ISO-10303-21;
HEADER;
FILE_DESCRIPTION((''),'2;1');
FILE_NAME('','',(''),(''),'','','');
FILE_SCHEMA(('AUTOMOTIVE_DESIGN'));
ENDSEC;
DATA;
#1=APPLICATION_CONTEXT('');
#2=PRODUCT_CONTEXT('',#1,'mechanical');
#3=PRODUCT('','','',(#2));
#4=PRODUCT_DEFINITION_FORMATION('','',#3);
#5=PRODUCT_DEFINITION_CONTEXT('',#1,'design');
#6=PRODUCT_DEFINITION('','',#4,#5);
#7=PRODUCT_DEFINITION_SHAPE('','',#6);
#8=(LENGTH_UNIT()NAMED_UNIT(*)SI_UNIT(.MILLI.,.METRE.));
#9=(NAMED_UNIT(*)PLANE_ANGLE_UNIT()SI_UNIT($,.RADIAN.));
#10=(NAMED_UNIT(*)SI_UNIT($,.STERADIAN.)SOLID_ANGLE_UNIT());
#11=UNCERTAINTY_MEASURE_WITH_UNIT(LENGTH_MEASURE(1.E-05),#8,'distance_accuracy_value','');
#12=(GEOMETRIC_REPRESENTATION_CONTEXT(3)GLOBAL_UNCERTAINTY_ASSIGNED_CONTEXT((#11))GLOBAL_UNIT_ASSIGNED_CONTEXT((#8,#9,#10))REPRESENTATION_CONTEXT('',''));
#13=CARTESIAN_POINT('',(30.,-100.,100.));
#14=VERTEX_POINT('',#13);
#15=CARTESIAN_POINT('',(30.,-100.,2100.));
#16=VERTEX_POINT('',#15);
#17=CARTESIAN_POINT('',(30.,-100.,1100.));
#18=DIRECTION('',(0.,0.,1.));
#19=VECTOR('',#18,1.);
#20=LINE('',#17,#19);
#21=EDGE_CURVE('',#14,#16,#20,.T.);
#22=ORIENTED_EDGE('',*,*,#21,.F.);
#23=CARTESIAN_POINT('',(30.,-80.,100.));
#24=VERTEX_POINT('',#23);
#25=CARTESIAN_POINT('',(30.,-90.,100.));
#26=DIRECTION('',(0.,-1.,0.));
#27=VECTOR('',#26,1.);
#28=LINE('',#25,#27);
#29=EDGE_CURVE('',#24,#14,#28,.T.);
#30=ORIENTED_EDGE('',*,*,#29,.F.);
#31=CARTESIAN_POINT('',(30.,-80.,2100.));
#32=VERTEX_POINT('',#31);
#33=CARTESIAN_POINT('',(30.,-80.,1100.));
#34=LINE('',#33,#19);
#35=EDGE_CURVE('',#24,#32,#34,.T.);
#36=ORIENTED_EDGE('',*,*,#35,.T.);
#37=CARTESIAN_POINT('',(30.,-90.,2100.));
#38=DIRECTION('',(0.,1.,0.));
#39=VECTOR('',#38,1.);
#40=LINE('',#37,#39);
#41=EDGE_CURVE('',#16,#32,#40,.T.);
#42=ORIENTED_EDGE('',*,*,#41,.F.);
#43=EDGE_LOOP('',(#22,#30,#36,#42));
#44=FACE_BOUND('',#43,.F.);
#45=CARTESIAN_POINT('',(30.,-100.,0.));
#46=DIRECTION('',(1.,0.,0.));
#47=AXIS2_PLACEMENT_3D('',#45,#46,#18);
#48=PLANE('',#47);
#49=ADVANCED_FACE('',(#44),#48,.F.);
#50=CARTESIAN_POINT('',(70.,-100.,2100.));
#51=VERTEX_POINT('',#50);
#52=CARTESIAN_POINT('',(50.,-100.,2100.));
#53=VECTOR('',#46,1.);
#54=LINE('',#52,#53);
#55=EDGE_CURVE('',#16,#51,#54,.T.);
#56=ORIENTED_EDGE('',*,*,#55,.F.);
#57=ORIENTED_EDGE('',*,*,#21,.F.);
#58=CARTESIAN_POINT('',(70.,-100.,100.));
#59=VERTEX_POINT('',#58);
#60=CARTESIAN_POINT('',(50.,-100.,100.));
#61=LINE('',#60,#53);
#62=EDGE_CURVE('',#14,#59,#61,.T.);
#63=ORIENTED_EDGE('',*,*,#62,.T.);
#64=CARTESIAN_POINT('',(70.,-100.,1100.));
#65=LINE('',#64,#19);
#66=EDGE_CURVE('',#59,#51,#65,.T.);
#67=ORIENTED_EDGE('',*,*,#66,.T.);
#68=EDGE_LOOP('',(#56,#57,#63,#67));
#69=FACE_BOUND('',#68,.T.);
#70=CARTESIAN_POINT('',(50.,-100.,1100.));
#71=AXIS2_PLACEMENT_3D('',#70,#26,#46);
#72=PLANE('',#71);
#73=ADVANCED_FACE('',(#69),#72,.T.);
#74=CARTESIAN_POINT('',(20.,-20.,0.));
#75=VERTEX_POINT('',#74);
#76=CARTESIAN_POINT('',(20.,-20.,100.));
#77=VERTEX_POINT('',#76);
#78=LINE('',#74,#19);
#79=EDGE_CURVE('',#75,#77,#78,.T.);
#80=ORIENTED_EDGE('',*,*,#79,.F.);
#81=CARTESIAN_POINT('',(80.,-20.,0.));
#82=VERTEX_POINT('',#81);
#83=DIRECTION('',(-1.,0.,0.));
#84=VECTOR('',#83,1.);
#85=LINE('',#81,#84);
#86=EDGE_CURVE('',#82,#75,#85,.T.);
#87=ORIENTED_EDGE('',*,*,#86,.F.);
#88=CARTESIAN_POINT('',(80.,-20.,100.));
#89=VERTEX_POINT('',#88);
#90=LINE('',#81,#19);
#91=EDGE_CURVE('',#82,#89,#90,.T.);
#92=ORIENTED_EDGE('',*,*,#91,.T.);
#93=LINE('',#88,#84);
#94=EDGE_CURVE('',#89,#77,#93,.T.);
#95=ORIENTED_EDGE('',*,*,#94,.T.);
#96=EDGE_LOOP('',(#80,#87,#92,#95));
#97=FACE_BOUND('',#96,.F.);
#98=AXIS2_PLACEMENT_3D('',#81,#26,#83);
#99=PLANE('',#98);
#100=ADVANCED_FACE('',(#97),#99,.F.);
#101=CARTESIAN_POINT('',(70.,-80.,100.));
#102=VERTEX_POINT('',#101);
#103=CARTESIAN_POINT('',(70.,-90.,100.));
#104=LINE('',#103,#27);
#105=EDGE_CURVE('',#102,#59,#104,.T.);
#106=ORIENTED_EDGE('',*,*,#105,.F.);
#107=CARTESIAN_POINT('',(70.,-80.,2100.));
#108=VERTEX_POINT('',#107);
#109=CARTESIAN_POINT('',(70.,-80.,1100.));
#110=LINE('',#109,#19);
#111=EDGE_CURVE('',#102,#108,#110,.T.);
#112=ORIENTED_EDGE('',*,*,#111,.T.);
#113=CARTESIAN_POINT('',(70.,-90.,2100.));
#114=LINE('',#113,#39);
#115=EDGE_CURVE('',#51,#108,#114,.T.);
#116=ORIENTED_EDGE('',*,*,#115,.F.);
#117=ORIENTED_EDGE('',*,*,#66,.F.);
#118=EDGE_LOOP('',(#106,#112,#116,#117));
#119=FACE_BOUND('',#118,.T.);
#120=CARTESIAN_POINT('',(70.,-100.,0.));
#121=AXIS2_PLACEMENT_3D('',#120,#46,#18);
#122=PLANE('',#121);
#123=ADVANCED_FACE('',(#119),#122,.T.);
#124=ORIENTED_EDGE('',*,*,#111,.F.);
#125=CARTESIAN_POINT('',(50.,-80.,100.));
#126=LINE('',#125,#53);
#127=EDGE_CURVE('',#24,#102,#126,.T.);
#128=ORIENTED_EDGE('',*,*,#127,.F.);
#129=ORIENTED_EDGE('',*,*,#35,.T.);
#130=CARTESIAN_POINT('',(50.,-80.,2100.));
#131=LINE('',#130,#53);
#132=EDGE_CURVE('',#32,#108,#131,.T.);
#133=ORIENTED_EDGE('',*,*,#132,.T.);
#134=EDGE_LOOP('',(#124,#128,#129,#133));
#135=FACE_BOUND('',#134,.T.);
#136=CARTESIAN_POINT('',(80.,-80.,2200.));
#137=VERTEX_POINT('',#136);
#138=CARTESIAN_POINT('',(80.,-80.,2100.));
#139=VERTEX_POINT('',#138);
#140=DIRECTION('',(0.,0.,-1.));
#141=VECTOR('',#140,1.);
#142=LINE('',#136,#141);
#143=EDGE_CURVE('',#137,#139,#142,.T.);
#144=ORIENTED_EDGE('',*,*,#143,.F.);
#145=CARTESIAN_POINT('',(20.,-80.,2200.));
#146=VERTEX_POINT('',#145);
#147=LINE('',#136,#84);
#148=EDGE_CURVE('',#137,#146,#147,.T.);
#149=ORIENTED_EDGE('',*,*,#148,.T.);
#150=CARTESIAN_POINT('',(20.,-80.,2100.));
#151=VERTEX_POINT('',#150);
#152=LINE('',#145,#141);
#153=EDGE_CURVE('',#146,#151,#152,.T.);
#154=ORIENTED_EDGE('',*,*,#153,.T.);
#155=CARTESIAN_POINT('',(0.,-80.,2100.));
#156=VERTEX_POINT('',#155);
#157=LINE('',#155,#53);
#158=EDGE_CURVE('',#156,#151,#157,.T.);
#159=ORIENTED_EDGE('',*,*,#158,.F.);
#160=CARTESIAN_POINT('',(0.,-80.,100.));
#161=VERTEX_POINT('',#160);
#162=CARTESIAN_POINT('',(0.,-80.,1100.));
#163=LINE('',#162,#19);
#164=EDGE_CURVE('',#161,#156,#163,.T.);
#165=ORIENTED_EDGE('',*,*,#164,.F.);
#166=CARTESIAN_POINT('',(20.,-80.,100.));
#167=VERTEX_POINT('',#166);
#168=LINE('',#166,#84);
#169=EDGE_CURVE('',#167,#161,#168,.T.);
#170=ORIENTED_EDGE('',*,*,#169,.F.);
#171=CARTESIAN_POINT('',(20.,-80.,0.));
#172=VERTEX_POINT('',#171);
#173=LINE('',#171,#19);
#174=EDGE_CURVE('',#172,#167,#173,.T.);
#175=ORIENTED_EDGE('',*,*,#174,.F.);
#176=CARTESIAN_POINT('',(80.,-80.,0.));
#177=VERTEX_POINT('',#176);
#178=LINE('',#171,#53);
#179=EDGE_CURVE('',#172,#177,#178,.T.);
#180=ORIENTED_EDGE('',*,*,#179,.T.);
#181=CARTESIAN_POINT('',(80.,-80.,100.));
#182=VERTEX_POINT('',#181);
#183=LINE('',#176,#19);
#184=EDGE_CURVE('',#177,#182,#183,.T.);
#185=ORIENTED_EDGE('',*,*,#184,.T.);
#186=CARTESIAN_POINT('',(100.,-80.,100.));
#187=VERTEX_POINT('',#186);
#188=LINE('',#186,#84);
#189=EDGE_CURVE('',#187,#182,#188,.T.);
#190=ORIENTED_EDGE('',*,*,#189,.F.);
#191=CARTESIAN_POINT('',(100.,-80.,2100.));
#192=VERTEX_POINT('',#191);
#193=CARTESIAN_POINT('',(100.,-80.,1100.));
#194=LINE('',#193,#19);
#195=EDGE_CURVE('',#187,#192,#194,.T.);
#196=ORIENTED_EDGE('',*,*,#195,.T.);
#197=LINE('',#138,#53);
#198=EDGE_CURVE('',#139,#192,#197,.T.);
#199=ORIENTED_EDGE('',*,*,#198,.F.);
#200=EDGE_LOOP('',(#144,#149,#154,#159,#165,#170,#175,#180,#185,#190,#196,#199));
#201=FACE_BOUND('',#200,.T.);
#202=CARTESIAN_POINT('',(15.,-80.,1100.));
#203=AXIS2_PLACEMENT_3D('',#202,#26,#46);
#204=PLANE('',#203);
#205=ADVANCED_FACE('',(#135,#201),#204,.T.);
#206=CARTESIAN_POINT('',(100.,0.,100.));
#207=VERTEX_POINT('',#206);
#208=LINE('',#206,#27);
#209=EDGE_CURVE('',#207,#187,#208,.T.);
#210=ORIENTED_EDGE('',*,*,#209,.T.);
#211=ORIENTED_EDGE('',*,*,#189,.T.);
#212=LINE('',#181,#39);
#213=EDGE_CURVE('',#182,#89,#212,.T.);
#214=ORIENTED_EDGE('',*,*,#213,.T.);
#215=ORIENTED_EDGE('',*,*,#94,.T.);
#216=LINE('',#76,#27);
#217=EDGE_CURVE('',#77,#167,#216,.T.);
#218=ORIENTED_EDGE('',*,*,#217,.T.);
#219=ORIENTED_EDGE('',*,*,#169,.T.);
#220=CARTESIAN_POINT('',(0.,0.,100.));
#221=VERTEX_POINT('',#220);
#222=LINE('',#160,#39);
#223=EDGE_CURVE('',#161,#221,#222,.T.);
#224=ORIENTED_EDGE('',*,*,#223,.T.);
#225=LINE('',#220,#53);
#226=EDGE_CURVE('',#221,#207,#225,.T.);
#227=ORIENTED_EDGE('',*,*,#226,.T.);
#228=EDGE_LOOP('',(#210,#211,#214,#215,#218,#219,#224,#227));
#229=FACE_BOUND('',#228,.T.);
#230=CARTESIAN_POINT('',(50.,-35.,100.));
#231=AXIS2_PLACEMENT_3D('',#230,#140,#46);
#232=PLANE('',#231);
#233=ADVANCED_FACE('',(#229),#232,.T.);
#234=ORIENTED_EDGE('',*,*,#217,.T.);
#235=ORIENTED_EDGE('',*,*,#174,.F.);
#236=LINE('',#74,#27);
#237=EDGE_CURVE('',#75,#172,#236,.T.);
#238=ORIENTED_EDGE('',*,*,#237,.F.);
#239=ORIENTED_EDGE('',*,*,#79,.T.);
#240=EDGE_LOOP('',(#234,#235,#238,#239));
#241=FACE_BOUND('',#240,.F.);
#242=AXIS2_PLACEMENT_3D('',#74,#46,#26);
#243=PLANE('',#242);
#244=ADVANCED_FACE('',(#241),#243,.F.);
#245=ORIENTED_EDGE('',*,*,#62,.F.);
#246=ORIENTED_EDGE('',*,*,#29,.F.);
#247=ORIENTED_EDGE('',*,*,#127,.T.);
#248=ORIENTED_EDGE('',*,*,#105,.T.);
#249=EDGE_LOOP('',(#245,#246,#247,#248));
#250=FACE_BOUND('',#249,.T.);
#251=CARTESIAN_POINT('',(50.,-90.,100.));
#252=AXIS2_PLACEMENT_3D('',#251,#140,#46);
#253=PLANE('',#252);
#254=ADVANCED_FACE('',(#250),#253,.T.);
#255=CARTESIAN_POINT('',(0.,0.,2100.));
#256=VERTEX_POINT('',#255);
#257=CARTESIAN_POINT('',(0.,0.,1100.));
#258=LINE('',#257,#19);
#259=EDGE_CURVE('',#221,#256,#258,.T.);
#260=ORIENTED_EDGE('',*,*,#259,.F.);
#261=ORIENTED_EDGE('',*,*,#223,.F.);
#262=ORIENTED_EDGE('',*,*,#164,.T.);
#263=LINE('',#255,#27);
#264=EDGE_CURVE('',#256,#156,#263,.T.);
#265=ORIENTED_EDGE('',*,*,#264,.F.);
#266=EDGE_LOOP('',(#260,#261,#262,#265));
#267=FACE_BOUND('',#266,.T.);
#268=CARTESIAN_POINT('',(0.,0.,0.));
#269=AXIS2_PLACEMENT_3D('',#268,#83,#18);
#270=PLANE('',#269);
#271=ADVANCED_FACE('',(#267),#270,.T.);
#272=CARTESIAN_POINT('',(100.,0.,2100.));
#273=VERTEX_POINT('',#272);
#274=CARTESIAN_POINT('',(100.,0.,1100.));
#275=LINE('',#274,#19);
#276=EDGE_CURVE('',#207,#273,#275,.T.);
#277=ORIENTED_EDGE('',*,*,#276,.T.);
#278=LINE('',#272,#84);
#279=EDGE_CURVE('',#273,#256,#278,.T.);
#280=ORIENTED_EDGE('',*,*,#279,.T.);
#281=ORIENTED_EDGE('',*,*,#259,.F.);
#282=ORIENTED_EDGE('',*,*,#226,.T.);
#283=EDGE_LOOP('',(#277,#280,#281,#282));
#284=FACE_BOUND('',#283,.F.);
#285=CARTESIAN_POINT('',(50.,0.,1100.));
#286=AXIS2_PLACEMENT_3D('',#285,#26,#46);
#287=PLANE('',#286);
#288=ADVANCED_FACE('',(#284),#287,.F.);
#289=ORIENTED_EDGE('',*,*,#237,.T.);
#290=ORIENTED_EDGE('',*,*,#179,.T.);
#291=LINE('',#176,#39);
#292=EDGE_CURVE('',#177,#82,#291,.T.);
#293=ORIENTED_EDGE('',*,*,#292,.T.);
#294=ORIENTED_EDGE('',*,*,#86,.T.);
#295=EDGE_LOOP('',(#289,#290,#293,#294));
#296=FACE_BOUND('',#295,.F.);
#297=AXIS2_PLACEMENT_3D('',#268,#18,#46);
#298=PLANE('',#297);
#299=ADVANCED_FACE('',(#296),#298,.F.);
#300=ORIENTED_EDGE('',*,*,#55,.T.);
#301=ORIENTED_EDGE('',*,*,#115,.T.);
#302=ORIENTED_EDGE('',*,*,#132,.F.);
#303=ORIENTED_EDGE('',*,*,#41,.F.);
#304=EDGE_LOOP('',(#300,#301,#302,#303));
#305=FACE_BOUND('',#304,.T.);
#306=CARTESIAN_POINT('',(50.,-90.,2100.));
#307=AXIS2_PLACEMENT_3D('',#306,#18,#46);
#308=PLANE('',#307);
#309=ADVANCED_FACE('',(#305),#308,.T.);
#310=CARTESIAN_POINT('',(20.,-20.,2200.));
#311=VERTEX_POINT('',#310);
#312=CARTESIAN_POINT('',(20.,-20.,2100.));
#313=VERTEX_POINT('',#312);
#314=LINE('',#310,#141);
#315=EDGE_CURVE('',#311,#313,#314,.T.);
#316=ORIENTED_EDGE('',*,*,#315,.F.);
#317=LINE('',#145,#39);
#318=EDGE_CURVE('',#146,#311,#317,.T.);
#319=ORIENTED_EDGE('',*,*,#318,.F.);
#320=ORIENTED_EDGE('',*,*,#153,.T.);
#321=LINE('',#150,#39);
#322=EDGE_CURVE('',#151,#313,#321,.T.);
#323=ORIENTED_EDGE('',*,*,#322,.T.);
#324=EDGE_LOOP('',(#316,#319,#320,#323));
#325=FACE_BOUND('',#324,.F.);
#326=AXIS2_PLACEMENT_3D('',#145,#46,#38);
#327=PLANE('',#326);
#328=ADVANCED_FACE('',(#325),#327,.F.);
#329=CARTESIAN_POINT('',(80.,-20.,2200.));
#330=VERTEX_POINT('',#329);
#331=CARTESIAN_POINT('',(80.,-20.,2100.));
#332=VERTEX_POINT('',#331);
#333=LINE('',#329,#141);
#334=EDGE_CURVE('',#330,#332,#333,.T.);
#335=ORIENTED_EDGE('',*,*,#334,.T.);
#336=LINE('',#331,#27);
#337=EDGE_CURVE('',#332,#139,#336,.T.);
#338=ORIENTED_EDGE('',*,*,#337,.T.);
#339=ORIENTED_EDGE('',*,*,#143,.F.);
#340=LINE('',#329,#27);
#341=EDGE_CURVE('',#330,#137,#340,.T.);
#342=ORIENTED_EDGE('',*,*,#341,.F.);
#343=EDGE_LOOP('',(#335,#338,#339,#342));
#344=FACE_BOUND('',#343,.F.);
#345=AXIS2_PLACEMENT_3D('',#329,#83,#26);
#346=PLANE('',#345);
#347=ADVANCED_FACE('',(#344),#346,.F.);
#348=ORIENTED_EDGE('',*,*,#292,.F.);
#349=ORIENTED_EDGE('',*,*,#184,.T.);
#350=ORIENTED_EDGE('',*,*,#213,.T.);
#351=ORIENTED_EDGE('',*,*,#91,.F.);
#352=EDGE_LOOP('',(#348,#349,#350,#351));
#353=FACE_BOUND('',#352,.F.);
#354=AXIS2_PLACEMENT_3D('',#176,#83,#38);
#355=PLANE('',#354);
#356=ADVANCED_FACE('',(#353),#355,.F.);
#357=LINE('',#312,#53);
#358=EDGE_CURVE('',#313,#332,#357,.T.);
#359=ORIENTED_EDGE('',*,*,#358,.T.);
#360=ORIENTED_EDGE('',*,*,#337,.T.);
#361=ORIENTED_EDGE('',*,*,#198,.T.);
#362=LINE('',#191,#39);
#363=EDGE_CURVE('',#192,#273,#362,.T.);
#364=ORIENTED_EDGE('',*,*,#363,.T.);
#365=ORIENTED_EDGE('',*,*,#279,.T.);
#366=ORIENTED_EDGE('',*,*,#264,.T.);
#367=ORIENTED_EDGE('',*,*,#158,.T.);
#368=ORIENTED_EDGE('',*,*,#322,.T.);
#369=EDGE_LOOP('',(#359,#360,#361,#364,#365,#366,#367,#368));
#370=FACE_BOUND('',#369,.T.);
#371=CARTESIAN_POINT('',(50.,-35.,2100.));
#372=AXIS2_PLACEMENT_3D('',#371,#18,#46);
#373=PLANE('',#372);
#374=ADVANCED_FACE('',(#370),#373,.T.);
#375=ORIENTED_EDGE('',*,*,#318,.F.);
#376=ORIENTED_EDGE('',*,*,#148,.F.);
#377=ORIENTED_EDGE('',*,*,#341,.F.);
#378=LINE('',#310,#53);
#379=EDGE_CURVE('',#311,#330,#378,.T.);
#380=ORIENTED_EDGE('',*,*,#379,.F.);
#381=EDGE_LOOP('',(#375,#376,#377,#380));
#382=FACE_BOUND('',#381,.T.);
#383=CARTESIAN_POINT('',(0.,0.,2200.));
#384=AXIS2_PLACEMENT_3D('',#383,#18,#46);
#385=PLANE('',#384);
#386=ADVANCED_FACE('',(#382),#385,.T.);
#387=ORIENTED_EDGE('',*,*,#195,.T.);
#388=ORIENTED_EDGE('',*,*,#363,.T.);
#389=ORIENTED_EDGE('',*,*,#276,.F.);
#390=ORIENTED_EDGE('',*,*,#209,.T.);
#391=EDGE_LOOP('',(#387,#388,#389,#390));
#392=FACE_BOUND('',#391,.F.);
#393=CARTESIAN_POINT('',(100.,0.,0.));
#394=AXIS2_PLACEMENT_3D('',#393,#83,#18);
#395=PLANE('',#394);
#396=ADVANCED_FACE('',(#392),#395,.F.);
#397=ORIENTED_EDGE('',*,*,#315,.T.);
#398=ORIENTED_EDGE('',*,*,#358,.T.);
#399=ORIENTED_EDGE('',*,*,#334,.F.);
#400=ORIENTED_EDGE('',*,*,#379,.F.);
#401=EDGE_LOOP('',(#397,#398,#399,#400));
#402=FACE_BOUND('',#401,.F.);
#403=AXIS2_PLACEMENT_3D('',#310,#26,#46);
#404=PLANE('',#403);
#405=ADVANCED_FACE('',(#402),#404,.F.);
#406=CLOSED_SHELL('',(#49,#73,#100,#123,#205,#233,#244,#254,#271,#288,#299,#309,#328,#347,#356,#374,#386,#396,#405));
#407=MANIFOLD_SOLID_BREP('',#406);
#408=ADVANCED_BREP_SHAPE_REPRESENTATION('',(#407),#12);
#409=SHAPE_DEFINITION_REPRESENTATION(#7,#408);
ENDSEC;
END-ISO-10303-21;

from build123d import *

# Parameters (mm, degrees)
F0_W     = 100
F0_H     = 2200
F1_DEPTH = 100
F2_W     = 30
F2_H     = 2200
F3_DEPTH = 20
F4_W     = 40
F4_H     = 20
F5_DEPTH = 100
F6_W     = 40
F6_H     = 20
F7_DEPTH = 100


with BuildPart() as f1:
    # F0 (on Front) → F1 (new body)
    with BuildSketch(Plane.XZ):
        with Locations((50, 1100)):
            Rectangle(F0_W, F0_H)
    extrude(amount=F1_DEPTH)

    # F2 (on face) → F3 (cut)
    with BuildSketch(Plane.XZ.offset(100)):
        with Locations((15, 1100)):
            Rectangle(F2_W, F2_H)
        with Locations((85, 1100)):
            Rectangle(F2_W, F2_H)
    extrude(amount=-F3_DEPTH, mode=Mode.SUBTRACT)

    # F4 (on face) → F5 (cut)
    with BuildSketch(Plane.XY.offset(2200)):
        Polygon((20, -80), (20, -20), (80, -20), (80, -80), (100, -80), (100, 0), (0, 0), (0, -80), align=None)
        with Locations((50, -90)):
            Rectangle(F4_W, F4_H)
    extrude(amount=-F5_DEPTH, mode=Mode.SUBTRACT)

    # F6 (on face) → F7 (cut)
    with BuildSketch(Plane(origin=(0, 0, 0), x_dir=(1, 0, 0), z_dir=(0, 0, -1))):
        Polygon((80, 80), (80, 20), (20, 20), (20, 80), (0, 80), (0, 0), (100, 0), (100, 80), align=None)
        with Locations((50, 90)):
            Rectangle(F6_W, F6_H)
    extrude(amount=-F7_DEPTH, mode=Mode.SUBTRACT)


solid = f1.part
